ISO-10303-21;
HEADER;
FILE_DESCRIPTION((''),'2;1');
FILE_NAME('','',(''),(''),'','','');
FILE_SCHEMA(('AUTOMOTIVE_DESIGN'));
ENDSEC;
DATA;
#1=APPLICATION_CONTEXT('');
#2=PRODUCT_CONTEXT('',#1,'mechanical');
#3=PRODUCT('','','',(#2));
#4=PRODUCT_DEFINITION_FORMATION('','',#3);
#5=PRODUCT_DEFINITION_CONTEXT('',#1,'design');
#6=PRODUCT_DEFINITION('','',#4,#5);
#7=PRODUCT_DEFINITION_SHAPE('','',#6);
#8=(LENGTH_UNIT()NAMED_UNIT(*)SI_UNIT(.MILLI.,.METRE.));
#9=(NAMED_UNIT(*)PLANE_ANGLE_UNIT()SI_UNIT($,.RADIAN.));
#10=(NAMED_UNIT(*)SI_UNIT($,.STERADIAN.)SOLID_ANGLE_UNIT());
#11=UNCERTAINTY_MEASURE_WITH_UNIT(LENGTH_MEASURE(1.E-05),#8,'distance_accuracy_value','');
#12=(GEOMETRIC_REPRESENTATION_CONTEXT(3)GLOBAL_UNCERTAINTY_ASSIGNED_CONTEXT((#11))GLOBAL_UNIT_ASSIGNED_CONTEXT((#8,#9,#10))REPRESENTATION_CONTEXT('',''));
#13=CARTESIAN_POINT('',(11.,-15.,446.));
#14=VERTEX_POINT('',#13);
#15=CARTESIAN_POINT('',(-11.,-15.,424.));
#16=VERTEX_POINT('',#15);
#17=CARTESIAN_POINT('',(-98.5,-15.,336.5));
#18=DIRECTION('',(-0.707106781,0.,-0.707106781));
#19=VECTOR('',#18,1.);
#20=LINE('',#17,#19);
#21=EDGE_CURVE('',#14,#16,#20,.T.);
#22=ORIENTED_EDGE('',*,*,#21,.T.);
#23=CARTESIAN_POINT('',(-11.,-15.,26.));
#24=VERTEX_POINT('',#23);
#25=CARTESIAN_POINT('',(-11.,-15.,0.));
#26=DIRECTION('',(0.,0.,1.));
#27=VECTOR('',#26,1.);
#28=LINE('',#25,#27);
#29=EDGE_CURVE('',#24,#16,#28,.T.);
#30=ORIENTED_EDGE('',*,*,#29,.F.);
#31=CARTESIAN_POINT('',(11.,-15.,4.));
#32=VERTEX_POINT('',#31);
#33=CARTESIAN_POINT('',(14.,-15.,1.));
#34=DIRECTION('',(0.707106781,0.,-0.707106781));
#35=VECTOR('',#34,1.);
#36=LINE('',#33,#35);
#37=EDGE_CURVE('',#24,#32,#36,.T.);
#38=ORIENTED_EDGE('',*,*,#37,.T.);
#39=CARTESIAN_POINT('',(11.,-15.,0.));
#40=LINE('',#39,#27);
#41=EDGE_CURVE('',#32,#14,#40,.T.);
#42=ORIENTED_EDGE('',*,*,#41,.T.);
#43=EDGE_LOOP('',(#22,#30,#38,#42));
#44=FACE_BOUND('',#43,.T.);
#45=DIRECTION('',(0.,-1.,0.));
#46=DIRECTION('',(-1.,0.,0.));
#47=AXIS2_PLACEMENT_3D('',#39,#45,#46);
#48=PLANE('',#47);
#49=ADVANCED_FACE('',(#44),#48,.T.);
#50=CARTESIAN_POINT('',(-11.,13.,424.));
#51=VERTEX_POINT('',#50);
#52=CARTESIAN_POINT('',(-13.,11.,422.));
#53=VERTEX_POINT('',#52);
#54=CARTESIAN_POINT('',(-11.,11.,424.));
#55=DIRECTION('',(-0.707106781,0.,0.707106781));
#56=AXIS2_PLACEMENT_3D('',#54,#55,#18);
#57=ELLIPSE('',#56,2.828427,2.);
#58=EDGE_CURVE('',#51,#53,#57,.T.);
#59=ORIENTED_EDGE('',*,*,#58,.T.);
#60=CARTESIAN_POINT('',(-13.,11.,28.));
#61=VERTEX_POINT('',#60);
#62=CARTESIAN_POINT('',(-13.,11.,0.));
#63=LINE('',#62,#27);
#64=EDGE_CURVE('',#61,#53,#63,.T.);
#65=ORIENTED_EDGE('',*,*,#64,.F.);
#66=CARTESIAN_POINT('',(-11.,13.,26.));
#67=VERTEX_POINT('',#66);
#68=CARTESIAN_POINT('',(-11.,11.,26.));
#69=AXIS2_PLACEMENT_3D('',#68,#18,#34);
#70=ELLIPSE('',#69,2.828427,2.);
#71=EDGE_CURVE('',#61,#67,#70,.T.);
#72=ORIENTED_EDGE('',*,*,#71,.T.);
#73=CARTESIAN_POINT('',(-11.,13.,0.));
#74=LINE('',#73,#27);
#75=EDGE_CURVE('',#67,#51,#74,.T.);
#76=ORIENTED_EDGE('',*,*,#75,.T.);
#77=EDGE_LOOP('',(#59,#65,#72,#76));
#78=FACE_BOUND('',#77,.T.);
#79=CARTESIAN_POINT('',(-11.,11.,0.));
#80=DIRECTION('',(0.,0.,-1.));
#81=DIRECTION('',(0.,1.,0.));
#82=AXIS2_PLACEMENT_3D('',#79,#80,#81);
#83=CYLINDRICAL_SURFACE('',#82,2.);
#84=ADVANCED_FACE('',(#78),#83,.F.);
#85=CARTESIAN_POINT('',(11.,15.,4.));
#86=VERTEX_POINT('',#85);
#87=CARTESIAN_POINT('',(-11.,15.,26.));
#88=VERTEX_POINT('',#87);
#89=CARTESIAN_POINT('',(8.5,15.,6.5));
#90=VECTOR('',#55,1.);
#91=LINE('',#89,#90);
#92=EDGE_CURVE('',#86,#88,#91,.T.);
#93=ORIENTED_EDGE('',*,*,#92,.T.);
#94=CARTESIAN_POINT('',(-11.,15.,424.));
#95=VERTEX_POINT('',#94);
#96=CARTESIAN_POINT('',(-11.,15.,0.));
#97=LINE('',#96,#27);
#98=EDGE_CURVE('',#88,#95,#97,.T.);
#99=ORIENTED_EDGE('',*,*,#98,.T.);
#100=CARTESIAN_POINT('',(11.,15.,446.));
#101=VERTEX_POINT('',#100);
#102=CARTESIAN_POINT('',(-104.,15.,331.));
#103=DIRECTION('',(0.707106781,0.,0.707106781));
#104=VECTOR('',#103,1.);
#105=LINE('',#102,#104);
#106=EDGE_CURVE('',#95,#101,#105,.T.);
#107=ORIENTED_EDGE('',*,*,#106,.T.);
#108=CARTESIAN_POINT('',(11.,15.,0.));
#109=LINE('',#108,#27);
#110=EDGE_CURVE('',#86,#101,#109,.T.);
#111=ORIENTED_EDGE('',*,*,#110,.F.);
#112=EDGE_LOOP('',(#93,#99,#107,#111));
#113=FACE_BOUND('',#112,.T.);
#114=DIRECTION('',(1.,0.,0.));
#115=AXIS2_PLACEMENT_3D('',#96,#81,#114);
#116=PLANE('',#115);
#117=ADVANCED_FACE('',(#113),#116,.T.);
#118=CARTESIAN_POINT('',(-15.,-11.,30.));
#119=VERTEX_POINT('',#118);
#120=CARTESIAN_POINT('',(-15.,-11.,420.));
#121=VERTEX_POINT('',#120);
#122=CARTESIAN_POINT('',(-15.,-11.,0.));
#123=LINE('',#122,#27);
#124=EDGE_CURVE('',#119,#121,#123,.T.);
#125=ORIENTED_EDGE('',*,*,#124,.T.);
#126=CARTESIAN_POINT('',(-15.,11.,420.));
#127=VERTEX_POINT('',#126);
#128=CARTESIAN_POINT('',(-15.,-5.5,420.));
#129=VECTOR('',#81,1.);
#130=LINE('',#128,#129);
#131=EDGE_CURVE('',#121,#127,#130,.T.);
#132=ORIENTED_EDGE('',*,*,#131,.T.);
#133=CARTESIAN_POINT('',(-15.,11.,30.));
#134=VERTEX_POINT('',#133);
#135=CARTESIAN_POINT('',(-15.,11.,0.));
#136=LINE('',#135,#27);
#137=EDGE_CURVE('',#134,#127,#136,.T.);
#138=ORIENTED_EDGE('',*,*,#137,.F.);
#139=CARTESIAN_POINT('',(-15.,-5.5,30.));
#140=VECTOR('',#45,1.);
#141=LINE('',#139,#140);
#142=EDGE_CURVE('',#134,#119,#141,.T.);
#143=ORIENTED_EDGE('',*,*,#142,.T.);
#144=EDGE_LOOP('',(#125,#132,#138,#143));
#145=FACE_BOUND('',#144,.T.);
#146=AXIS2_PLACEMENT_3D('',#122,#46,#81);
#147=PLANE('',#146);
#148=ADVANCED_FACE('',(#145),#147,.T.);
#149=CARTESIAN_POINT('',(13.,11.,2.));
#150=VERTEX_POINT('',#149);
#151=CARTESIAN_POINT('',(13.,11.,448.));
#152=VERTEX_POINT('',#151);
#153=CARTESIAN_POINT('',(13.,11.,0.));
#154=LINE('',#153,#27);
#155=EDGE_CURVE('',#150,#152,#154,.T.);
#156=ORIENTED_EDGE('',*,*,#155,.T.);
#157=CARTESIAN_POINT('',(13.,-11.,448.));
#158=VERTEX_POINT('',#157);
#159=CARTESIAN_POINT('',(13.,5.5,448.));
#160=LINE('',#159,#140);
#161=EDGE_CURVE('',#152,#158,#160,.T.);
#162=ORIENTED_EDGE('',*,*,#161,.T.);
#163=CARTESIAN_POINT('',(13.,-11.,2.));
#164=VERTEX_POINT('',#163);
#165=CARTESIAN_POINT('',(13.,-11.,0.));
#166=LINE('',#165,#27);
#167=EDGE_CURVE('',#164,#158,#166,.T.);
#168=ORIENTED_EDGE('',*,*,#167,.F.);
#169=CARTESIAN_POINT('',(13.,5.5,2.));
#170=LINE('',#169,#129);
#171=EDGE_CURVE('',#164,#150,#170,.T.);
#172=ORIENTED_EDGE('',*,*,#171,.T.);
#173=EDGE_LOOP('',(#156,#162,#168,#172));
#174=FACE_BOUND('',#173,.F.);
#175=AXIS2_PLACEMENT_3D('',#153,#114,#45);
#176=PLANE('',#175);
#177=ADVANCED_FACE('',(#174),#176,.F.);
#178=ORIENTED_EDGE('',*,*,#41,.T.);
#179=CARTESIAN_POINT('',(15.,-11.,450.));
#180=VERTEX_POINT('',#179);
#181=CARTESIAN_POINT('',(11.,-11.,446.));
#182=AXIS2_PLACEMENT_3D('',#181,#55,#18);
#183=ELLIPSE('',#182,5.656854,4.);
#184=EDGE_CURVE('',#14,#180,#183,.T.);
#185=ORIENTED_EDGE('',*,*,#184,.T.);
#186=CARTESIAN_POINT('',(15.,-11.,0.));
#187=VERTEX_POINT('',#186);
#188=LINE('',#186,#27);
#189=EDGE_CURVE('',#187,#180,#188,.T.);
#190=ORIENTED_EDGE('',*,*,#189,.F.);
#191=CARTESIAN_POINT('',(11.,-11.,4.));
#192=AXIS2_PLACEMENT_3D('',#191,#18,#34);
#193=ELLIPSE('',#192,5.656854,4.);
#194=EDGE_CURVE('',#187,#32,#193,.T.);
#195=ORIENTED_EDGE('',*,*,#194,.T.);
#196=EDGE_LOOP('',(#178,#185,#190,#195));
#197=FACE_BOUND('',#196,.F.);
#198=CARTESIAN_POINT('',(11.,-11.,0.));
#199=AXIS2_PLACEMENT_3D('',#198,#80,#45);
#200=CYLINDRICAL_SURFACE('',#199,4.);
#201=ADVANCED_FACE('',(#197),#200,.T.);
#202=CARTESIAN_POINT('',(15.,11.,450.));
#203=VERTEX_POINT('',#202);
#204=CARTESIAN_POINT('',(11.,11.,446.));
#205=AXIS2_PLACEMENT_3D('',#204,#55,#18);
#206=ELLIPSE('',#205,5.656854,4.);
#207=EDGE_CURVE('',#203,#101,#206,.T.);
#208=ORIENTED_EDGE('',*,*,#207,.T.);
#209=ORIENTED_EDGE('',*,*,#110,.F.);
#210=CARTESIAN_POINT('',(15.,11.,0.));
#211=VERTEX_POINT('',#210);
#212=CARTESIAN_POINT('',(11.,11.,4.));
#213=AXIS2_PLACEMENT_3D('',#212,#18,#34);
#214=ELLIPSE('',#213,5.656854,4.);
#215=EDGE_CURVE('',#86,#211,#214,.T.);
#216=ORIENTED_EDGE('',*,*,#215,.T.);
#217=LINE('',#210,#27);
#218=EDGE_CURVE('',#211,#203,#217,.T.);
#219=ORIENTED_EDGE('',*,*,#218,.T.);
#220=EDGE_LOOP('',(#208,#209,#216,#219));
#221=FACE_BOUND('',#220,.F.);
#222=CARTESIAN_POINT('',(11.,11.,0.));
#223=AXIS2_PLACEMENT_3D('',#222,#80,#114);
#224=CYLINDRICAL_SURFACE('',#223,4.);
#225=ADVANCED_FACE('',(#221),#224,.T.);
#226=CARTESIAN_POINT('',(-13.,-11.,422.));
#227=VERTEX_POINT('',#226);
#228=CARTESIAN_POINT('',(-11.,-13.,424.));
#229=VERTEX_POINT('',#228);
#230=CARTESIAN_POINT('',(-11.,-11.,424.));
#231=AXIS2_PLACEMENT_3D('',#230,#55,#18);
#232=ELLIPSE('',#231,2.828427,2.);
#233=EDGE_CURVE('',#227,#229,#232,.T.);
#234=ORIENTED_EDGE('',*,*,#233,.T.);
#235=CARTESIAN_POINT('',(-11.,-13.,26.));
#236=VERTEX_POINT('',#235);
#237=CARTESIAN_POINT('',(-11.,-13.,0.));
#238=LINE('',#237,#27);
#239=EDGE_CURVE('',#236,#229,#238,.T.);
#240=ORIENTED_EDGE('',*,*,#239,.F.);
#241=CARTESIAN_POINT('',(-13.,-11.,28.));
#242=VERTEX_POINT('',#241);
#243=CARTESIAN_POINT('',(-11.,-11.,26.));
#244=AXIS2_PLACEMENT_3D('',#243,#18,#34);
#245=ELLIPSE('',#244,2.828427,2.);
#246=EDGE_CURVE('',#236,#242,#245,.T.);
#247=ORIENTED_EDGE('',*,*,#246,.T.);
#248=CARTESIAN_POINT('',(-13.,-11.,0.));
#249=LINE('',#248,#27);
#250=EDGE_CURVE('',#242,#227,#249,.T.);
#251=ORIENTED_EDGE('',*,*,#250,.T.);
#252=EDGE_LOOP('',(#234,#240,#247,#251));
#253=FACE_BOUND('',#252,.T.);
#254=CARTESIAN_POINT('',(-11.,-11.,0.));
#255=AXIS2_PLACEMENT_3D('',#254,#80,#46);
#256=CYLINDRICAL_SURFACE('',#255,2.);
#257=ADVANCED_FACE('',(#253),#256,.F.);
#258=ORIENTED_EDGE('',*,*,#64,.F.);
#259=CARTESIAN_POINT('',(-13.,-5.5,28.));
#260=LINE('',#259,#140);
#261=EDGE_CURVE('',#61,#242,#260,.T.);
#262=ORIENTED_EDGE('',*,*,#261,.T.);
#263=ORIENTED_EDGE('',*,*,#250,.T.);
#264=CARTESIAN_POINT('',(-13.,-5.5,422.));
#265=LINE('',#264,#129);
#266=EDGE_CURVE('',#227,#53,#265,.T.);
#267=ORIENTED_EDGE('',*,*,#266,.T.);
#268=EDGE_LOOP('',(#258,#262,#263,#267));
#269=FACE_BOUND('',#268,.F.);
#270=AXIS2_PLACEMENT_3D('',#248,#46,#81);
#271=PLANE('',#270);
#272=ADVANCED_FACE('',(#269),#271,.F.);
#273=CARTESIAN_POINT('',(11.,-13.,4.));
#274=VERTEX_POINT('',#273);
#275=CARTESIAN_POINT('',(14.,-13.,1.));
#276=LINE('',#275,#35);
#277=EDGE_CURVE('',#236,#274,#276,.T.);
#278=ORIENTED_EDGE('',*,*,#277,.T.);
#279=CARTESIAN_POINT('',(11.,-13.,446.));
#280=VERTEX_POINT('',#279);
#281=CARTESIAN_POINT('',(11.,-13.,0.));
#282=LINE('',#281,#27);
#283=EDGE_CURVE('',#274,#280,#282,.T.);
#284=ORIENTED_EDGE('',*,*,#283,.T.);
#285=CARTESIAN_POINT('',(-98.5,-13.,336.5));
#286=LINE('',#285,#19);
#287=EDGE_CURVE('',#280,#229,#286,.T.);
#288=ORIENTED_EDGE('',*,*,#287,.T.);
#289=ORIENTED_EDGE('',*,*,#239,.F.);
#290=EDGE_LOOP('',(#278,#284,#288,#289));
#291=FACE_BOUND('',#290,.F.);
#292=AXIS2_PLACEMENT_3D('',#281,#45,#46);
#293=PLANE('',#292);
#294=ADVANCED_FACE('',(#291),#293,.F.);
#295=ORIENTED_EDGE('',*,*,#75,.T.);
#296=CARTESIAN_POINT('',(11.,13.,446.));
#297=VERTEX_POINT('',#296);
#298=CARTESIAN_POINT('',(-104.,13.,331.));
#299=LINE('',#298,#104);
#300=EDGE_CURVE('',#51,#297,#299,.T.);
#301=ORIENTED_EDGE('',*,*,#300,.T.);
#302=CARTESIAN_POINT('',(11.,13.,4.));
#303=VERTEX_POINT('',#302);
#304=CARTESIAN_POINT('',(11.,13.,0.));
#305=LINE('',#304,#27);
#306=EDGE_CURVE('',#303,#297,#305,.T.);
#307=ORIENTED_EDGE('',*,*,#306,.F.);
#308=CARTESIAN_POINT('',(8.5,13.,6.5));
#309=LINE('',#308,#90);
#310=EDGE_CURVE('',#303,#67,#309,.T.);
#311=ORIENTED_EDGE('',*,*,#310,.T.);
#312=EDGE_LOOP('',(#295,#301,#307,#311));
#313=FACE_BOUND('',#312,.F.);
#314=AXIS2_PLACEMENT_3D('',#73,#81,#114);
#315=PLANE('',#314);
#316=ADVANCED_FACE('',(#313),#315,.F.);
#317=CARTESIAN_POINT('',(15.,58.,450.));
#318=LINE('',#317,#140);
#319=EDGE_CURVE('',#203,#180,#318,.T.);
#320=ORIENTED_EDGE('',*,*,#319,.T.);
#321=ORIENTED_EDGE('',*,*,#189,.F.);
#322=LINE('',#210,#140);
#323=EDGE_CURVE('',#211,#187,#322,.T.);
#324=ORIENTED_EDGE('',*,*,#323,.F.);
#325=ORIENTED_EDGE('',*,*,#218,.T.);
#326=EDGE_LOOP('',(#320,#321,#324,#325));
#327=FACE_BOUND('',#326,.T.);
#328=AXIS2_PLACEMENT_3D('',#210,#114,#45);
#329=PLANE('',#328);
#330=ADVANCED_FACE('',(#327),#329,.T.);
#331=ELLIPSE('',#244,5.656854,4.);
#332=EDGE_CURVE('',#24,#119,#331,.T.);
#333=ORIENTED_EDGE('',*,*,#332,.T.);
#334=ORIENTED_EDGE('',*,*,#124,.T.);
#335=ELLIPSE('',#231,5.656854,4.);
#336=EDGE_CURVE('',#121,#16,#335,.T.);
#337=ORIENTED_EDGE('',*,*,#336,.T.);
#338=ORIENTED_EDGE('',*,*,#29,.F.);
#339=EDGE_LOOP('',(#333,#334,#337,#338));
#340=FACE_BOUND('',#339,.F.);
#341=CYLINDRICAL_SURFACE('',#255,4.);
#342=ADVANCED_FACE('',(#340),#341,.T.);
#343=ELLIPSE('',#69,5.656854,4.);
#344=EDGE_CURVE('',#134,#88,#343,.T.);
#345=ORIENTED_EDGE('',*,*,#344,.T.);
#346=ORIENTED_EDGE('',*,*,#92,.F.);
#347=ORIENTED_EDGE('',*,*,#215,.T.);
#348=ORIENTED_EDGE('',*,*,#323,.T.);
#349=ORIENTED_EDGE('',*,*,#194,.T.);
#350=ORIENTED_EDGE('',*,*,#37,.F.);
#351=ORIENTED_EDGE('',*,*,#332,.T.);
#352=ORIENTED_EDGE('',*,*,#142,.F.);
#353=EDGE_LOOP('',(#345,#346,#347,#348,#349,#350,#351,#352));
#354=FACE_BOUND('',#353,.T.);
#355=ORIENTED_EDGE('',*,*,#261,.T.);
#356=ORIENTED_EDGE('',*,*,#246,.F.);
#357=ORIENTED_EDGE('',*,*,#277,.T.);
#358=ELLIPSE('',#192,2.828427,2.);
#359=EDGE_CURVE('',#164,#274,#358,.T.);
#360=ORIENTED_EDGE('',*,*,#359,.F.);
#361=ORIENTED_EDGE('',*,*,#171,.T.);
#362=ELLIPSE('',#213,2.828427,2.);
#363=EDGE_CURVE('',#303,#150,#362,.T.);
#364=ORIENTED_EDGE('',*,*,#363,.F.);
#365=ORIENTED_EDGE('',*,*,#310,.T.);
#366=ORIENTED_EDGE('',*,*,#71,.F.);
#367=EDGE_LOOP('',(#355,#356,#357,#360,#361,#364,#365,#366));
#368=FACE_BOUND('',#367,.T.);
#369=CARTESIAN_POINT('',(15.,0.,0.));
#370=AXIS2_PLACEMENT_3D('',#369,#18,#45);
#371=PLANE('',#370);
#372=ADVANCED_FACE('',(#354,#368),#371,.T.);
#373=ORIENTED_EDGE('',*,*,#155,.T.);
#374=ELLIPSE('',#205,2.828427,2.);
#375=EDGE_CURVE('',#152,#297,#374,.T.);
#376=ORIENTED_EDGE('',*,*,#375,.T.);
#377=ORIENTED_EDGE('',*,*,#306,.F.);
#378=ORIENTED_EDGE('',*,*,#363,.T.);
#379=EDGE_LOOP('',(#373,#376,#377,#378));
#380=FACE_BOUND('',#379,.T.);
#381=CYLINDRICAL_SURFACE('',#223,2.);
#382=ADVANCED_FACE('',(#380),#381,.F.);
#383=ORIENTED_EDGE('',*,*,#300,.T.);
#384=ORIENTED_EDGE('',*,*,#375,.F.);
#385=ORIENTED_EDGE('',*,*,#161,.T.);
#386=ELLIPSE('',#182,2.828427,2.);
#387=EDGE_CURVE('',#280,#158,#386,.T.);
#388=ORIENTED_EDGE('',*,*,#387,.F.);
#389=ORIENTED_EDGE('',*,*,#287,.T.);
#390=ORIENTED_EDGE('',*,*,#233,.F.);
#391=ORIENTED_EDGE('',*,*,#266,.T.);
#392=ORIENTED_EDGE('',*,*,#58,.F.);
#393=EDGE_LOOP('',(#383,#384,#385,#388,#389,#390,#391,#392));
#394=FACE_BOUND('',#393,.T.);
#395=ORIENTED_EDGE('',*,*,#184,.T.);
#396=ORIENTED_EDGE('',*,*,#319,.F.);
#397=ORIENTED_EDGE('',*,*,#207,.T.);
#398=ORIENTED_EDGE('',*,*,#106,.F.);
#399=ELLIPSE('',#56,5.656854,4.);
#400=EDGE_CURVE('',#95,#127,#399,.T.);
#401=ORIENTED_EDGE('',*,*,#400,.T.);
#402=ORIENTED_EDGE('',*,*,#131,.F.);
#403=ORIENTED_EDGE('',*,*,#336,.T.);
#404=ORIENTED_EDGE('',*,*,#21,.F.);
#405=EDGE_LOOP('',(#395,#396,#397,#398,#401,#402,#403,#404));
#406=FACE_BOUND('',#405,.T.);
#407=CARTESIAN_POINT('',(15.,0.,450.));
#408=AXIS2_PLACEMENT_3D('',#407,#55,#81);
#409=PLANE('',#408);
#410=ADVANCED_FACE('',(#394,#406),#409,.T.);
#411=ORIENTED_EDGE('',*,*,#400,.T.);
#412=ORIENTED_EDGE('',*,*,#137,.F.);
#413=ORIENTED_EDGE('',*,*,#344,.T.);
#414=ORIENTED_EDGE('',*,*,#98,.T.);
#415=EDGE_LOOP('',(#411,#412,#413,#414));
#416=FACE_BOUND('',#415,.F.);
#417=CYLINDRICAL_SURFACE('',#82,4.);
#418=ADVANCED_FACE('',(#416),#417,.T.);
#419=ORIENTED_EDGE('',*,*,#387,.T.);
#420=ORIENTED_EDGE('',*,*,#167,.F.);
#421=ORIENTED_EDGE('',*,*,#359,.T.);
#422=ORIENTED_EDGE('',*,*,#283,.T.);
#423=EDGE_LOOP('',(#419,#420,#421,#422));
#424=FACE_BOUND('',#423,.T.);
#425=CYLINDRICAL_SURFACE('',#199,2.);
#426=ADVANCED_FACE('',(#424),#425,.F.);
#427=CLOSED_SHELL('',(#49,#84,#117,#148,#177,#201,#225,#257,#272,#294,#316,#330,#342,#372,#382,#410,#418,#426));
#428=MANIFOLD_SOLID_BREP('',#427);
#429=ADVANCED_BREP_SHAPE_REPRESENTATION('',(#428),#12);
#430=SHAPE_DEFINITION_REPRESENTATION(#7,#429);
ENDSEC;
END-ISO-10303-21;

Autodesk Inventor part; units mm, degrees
ref_plane "Plano inicial" through (0, 0, 0) normal (0, 0, 1) x (1, 0, 0)
ref_plane "Plano final" through (0, 0, 450.0003) normal (0, 0, 1) x (1, 0, 0)
sketch "Esboço" plane through (0, 0, 0) normal (0, 0, 1) x (1, 0, 0)
  line L0 (-15, -11) -> (-15, 11)
  line L1 (-11, 15) -> (11, 15)
  line L2 (15, 11) -> (15, -11)
  line L3 (11, -15) -> (-11, -15)
  arc A0 (-15, -11) -> (-11, -15) centre (-11, -11) ccw
  arc A1 (15, 11) -> (11, 15) centre (11, 11) ccw
  arc A2 (-11, 15) -> (-15, 11) centre (-11, 11) ccw
  arc A3 (11, -15) -> (15, -11) centre (11, -11) ccw
  arc A4 (-11, 13) -> (-13, 11) centre (-11, 11) ccw
  line L4 (-11, 13) -> (11, 13)
  arc A5 (13, 11) -> (11, 13) centre (11, 11) ccw
  line L5 (13, 11) -> (13, -11)
  arc A6 (11, -13) -> (13, -11) centre (11, -11) ccw
  line L6 (11, -13) -> (-11, -13)
  arc A7 (-13, -11) -> (-11, -13) centre (-11, -11) ccw
  line L7 (-13, -11) -> (-13, 11)
  line L8 (0, 22.1598) -> (0, -22.1598) construction
  line L9 (-22.1598, 0) -> (22.1598, 0) construction
  dimension "d7" = 4
  dimension "d9" = 30
  dimension "d11" = 30
  dimension "d12" = 2
  dimension "d15" = 15
  dimension "d16" = 15
extrude "Corpo" add sketch "Esboço" along normal up to surface (450.0003 mm away) from surface at 0
sketch "Sketch3" plane through (0, 0, 0) normal (0, 0, 1) x (1, 0, 0)
  line L0 (0, 0) -> (10, 0)
ref_plane "Work Plane3" through (0, 0, 0) normal (0, -1, 0) x (1, 0, 0)
sketch "Sketch4" plane through (0, 0, 0) normal (0, -1, 0) x (1, 0, 0)
  line L0 (-2, 0) -> (12, 0)
  line L1 (-2, 450.0003) -> (12, 450.0003)
  dimension "d18" = 450.0003
ref_plane "Plano de trabalho6" through (0, 105, 450) normal (0, 0, 1) x (1, 0, 0)
split "Dividir3" plane through (0, 105, 450) removes the side toward (0, 0, 1)
ref_plane "Plano de trabalho7" through (15, 0, 0) normal (-0.7071, 0, -0.7071) x (-0.7071, 0, 0.7071)
split "Dividir4" plane through (15, 0, 0) removes the side toward (-0.7071, 0, -0.7071)
ref_plane "Plano de trabalho8" through (15, 0, 450) normal (-0.7071, 0, 0.7071) x (0.7071, 0, 0.7071)
split "Dividir5" plane through (15, 0, 450) removes the side toward (-0.7071, 0, 0.7071)
equation "\"d7\" = G_IR"
equation "\"d9\" = G_W"
equation "\"d11\" = G_H"
equation "\"d12\" = G_T"
equation "\"d15\" = 0.5 * d9"
equation "\"d16\" = 0.5 * d11"
equation "\"d3\" = G_L"
equation "\"G_W\" = 30"
equation "\"G_H\" = 30"
equation "\"G_T\" = 2"
equation "\"G_IR\" = 4"
equation "\"G_L\" = d18"
equation "\"G_OFFSET_START\" = 0"
equation "\"G_OFFSET_END\" = 0.00028"
equation "\"d14\" = G_OFFSET_END + B_L"
equation "\"B_L\" = 450"
properties part number "ISO 10799-2 - 30x30x2 - 450" material "Aço, suave"
